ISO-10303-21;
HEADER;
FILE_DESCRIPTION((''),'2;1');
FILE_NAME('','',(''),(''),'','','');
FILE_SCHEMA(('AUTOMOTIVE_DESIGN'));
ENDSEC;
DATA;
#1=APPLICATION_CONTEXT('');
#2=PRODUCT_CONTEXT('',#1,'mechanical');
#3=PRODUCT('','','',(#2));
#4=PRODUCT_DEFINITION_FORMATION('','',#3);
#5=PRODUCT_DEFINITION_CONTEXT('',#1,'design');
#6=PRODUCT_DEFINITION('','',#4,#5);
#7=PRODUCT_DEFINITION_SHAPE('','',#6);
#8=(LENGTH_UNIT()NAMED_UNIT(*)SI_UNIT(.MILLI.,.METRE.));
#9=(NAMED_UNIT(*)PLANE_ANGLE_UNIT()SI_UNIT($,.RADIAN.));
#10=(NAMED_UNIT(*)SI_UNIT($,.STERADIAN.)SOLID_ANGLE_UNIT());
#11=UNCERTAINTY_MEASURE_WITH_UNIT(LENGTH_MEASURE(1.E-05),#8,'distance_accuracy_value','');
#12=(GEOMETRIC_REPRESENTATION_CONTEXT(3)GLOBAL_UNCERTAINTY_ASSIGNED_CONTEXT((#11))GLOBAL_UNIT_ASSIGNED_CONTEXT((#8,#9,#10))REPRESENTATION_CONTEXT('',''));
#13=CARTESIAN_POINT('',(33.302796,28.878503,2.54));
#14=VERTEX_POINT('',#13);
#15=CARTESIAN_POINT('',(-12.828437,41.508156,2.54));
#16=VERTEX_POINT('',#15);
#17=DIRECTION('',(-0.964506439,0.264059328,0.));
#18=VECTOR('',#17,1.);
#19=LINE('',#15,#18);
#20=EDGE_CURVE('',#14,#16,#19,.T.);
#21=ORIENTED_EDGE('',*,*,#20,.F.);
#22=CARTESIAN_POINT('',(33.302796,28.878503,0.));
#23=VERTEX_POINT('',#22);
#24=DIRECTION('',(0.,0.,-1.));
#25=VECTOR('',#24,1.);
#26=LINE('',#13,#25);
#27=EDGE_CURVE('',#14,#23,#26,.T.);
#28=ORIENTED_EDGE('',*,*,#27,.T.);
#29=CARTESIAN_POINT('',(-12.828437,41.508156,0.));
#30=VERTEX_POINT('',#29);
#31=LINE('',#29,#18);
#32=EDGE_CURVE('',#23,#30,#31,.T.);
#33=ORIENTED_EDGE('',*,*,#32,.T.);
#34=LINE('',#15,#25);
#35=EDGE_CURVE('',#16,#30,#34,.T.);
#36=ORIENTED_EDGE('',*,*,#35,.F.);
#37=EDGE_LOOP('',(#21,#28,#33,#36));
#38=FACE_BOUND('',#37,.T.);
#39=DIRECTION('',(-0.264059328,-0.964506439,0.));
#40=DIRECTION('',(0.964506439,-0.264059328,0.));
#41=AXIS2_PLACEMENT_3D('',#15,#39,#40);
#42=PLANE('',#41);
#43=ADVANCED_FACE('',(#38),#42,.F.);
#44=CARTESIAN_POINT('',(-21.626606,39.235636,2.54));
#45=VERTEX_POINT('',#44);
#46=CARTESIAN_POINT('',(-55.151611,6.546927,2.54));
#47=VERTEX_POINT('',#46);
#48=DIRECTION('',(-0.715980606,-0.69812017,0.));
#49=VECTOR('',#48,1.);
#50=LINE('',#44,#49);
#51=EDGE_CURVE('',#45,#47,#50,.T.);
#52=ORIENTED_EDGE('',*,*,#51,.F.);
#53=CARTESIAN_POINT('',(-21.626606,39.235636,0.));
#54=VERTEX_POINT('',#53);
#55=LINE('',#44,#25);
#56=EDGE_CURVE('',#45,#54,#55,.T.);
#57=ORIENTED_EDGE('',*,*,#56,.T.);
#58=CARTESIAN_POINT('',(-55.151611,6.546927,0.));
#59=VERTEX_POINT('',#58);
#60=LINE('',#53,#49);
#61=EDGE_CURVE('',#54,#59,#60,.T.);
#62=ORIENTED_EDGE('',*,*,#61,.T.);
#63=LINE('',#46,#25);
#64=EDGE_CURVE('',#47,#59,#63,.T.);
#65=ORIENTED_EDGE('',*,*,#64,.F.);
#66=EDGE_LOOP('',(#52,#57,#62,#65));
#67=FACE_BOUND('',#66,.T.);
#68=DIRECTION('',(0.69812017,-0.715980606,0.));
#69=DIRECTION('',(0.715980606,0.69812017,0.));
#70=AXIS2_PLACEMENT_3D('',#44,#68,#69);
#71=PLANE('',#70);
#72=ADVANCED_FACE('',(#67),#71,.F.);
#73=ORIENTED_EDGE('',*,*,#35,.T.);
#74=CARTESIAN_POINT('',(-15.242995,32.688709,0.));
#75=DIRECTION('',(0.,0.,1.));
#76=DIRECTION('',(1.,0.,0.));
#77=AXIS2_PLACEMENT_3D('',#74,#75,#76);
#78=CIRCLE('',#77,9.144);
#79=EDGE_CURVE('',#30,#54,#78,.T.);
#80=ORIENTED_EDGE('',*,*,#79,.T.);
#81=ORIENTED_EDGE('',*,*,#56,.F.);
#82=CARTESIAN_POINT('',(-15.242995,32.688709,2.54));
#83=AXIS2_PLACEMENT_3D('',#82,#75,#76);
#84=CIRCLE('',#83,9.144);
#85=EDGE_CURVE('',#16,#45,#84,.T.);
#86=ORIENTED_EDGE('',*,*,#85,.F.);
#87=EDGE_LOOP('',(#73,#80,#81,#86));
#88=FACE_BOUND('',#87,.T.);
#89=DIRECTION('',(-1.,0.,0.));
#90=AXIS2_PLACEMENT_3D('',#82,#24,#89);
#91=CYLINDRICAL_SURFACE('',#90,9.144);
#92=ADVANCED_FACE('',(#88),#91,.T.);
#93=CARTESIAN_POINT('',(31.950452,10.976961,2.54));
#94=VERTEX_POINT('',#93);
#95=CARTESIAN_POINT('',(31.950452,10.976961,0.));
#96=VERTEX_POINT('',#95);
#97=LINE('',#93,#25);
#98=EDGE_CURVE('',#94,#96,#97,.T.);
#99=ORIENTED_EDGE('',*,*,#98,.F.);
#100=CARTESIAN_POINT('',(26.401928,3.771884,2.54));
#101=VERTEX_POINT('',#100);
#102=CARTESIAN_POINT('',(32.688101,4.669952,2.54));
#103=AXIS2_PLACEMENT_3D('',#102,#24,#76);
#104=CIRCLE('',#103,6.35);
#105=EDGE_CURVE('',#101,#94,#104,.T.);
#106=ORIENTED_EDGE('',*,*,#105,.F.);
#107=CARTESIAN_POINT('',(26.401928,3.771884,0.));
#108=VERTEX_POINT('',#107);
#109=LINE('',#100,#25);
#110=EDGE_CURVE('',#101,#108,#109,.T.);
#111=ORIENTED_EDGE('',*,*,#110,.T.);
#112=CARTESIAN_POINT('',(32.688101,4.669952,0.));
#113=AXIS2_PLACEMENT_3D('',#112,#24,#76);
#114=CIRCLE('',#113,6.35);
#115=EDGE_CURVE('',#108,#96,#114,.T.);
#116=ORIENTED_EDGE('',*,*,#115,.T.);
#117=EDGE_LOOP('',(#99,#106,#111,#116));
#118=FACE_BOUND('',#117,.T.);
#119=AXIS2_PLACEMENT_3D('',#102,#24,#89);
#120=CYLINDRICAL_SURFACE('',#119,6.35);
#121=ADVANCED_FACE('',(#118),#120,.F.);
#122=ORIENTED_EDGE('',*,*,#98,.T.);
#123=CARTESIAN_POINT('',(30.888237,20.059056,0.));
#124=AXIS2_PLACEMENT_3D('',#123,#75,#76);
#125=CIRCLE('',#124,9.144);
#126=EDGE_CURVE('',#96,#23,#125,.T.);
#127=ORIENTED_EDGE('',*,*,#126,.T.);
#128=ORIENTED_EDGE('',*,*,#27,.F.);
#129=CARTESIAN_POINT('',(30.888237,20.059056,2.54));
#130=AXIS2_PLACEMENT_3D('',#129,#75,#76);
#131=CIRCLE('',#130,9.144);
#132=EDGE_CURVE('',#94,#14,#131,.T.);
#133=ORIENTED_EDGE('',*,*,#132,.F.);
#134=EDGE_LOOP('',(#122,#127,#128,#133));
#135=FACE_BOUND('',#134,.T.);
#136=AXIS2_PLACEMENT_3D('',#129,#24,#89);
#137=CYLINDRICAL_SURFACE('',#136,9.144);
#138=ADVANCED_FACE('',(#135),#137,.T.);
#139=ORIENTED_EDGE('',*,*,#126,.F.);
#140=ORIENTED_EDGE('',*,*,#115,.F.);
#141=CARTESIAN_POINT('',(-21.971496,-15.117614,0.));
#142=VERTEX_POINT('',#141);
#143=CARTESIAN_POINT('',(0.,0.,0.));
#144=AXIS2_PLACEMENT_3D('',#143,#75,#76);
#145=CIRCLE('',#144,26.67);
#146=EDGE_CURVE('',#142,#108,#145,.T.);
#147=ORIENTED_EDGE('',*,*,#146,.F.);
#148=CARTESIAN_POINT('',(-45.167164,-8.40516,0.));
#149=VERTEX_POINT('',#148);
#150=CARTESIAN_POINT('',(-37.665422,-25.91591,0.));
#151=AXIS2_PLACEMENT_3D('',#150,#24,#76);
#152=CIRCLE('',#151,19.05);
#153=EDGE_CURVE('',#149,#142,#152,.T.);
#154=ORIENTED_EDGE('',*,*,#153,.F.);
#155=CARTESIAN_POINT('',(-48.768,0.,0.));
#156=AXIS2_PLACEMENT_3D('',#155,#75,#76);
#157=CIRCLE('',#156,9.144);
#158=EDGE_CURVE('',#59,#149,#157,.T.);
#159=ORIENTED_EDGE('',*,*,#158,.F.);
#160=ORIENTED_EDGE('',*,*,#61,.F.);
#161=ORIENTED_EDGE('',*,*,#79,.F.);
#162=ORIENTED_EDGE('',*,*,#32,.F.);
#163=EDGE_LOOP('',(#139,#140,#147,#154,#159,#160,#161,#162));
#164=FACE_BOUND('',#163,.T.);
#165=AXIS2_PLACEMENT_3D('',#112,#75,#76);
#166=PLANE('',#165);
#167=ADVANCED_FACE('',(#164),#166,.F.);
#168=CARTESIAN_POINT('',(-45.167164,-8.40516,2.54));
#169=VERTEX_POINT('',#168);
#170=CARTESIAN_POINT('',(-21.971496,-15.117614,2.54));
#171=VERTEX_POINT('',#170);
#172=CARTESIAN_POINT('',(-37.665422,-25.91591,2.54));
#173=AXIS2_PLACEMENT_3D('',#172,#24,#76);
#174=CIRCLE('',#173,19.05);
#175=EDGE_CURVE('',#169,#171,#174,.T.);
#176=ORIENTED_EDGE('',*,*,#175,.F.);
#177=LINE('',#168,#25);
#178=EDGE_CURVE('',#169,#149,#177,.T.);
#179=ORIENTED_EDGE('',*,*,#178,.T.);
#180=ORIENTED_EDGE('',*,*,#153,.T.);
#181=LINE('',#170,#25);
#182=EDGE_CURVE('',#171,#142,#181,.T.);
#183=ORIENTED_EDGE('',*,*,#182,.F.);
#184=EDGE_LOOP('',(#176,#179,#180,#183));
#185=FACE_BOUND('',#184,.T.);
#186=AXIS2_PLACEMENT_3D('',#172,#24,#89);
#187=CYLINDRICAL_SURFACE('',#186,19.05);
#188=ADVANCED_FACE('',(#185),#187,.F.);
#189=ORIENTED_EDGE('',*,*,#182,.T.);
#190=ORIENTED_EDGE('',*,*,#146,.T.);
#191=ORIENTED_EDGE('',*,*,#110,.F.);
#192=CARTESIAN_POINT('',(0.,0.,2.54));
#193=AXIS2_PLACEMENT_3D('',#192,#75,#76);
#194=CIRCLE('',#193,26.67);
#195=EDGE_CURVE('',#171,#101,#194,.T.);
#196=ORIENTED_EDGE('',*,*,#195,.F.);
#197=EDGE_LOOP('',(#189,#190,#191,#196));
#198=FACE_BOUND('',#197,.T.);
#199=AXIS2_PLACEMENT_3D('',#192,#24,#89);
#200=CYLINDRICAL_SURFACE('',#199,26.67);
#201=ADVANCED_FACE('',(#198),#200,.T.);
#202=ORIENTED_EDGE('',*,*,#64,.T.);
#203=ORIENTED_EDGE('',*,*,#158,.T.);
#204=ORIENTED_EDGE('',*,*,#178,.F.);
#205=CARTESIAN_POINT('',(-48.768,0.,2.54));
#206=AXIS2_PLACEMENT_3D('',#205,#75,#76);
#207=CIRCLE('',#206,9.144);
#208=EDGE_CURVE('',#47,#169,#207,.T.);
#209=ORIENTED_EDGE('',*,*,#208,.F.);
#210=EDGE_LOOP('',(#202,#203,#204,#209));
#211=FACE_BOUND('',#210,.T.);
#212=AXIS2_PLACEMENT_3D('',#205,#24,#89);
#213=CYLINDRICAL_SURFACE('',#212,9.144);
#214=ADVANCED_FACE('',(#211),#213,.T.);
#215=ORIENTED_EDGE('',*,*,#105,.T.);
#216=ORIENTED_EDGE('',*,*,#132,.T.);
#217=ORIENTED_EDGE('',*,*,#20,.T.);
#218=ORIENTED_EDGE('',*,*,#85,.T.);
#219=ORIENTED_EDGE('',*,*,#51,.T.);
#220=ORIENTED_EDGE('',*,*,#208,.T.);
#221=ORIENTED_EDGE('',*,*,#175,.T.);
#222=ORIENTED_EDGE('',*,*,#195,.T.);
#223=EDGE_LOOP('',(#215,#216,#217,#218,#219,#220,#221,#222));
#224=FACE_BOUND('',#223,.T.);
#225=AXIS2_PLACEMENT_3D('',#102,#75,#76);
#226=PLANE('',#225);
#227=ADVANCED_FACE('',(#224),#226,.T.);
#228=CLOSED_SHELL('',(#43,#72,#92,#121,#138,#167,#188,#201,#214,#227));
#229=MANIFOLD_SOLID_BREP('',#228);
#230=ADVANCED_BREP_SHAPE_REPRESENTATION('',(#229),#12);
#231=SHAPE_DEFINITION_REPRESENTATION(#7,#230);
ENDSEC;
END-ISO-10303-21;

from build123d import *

# Parameters (mm, degrees)
BOSS_EXTRUDE1_DEPTH = 2.54


with BuildPart() as part:
    # Sketch1 → Boss-Extrude1 (new body)
    with BuildSketch(Plane.XY):
        with BuildLine():
            Line((-21.626606299, 39.235635924), (-55.151610835, 6.546926661))
            ThreePointArc((-55.151610835, 6.546926661), (-56.372418637, -5.077947735), (-45.167163851, -8.405160024))
            ThreePointArc((-45.167163851, -8.405160024), (-32.369930474, -7.616722365), (-21.971496094, -15.11761421))
            ThreePointArc((-21.971496094, -15.11761421), (9.701054911, -24.84307617), (26.401927799, 3.771883943))
            ThreePointArc((26.401927799, 3.771883943), (27.657017106, 8.544315238), (31.950451877, 10.97696143))
            ThreePointArc((31.950451877, 10.97696143), (40.006256636, 19.370249278), (33.302795508, 28.878502541))
            Line((33.302795508, 28.878502541), (-12.828436974, 41.508156144))
            ThreePointArc((-12.828436974, 41.508156144), (-17.529790419, 41.542143898), (-21.626606299, 39.235635924))
        make_face()
    extrude(amount=BOSS_EXTRUDE1_DEPTH)


solid = part.part
